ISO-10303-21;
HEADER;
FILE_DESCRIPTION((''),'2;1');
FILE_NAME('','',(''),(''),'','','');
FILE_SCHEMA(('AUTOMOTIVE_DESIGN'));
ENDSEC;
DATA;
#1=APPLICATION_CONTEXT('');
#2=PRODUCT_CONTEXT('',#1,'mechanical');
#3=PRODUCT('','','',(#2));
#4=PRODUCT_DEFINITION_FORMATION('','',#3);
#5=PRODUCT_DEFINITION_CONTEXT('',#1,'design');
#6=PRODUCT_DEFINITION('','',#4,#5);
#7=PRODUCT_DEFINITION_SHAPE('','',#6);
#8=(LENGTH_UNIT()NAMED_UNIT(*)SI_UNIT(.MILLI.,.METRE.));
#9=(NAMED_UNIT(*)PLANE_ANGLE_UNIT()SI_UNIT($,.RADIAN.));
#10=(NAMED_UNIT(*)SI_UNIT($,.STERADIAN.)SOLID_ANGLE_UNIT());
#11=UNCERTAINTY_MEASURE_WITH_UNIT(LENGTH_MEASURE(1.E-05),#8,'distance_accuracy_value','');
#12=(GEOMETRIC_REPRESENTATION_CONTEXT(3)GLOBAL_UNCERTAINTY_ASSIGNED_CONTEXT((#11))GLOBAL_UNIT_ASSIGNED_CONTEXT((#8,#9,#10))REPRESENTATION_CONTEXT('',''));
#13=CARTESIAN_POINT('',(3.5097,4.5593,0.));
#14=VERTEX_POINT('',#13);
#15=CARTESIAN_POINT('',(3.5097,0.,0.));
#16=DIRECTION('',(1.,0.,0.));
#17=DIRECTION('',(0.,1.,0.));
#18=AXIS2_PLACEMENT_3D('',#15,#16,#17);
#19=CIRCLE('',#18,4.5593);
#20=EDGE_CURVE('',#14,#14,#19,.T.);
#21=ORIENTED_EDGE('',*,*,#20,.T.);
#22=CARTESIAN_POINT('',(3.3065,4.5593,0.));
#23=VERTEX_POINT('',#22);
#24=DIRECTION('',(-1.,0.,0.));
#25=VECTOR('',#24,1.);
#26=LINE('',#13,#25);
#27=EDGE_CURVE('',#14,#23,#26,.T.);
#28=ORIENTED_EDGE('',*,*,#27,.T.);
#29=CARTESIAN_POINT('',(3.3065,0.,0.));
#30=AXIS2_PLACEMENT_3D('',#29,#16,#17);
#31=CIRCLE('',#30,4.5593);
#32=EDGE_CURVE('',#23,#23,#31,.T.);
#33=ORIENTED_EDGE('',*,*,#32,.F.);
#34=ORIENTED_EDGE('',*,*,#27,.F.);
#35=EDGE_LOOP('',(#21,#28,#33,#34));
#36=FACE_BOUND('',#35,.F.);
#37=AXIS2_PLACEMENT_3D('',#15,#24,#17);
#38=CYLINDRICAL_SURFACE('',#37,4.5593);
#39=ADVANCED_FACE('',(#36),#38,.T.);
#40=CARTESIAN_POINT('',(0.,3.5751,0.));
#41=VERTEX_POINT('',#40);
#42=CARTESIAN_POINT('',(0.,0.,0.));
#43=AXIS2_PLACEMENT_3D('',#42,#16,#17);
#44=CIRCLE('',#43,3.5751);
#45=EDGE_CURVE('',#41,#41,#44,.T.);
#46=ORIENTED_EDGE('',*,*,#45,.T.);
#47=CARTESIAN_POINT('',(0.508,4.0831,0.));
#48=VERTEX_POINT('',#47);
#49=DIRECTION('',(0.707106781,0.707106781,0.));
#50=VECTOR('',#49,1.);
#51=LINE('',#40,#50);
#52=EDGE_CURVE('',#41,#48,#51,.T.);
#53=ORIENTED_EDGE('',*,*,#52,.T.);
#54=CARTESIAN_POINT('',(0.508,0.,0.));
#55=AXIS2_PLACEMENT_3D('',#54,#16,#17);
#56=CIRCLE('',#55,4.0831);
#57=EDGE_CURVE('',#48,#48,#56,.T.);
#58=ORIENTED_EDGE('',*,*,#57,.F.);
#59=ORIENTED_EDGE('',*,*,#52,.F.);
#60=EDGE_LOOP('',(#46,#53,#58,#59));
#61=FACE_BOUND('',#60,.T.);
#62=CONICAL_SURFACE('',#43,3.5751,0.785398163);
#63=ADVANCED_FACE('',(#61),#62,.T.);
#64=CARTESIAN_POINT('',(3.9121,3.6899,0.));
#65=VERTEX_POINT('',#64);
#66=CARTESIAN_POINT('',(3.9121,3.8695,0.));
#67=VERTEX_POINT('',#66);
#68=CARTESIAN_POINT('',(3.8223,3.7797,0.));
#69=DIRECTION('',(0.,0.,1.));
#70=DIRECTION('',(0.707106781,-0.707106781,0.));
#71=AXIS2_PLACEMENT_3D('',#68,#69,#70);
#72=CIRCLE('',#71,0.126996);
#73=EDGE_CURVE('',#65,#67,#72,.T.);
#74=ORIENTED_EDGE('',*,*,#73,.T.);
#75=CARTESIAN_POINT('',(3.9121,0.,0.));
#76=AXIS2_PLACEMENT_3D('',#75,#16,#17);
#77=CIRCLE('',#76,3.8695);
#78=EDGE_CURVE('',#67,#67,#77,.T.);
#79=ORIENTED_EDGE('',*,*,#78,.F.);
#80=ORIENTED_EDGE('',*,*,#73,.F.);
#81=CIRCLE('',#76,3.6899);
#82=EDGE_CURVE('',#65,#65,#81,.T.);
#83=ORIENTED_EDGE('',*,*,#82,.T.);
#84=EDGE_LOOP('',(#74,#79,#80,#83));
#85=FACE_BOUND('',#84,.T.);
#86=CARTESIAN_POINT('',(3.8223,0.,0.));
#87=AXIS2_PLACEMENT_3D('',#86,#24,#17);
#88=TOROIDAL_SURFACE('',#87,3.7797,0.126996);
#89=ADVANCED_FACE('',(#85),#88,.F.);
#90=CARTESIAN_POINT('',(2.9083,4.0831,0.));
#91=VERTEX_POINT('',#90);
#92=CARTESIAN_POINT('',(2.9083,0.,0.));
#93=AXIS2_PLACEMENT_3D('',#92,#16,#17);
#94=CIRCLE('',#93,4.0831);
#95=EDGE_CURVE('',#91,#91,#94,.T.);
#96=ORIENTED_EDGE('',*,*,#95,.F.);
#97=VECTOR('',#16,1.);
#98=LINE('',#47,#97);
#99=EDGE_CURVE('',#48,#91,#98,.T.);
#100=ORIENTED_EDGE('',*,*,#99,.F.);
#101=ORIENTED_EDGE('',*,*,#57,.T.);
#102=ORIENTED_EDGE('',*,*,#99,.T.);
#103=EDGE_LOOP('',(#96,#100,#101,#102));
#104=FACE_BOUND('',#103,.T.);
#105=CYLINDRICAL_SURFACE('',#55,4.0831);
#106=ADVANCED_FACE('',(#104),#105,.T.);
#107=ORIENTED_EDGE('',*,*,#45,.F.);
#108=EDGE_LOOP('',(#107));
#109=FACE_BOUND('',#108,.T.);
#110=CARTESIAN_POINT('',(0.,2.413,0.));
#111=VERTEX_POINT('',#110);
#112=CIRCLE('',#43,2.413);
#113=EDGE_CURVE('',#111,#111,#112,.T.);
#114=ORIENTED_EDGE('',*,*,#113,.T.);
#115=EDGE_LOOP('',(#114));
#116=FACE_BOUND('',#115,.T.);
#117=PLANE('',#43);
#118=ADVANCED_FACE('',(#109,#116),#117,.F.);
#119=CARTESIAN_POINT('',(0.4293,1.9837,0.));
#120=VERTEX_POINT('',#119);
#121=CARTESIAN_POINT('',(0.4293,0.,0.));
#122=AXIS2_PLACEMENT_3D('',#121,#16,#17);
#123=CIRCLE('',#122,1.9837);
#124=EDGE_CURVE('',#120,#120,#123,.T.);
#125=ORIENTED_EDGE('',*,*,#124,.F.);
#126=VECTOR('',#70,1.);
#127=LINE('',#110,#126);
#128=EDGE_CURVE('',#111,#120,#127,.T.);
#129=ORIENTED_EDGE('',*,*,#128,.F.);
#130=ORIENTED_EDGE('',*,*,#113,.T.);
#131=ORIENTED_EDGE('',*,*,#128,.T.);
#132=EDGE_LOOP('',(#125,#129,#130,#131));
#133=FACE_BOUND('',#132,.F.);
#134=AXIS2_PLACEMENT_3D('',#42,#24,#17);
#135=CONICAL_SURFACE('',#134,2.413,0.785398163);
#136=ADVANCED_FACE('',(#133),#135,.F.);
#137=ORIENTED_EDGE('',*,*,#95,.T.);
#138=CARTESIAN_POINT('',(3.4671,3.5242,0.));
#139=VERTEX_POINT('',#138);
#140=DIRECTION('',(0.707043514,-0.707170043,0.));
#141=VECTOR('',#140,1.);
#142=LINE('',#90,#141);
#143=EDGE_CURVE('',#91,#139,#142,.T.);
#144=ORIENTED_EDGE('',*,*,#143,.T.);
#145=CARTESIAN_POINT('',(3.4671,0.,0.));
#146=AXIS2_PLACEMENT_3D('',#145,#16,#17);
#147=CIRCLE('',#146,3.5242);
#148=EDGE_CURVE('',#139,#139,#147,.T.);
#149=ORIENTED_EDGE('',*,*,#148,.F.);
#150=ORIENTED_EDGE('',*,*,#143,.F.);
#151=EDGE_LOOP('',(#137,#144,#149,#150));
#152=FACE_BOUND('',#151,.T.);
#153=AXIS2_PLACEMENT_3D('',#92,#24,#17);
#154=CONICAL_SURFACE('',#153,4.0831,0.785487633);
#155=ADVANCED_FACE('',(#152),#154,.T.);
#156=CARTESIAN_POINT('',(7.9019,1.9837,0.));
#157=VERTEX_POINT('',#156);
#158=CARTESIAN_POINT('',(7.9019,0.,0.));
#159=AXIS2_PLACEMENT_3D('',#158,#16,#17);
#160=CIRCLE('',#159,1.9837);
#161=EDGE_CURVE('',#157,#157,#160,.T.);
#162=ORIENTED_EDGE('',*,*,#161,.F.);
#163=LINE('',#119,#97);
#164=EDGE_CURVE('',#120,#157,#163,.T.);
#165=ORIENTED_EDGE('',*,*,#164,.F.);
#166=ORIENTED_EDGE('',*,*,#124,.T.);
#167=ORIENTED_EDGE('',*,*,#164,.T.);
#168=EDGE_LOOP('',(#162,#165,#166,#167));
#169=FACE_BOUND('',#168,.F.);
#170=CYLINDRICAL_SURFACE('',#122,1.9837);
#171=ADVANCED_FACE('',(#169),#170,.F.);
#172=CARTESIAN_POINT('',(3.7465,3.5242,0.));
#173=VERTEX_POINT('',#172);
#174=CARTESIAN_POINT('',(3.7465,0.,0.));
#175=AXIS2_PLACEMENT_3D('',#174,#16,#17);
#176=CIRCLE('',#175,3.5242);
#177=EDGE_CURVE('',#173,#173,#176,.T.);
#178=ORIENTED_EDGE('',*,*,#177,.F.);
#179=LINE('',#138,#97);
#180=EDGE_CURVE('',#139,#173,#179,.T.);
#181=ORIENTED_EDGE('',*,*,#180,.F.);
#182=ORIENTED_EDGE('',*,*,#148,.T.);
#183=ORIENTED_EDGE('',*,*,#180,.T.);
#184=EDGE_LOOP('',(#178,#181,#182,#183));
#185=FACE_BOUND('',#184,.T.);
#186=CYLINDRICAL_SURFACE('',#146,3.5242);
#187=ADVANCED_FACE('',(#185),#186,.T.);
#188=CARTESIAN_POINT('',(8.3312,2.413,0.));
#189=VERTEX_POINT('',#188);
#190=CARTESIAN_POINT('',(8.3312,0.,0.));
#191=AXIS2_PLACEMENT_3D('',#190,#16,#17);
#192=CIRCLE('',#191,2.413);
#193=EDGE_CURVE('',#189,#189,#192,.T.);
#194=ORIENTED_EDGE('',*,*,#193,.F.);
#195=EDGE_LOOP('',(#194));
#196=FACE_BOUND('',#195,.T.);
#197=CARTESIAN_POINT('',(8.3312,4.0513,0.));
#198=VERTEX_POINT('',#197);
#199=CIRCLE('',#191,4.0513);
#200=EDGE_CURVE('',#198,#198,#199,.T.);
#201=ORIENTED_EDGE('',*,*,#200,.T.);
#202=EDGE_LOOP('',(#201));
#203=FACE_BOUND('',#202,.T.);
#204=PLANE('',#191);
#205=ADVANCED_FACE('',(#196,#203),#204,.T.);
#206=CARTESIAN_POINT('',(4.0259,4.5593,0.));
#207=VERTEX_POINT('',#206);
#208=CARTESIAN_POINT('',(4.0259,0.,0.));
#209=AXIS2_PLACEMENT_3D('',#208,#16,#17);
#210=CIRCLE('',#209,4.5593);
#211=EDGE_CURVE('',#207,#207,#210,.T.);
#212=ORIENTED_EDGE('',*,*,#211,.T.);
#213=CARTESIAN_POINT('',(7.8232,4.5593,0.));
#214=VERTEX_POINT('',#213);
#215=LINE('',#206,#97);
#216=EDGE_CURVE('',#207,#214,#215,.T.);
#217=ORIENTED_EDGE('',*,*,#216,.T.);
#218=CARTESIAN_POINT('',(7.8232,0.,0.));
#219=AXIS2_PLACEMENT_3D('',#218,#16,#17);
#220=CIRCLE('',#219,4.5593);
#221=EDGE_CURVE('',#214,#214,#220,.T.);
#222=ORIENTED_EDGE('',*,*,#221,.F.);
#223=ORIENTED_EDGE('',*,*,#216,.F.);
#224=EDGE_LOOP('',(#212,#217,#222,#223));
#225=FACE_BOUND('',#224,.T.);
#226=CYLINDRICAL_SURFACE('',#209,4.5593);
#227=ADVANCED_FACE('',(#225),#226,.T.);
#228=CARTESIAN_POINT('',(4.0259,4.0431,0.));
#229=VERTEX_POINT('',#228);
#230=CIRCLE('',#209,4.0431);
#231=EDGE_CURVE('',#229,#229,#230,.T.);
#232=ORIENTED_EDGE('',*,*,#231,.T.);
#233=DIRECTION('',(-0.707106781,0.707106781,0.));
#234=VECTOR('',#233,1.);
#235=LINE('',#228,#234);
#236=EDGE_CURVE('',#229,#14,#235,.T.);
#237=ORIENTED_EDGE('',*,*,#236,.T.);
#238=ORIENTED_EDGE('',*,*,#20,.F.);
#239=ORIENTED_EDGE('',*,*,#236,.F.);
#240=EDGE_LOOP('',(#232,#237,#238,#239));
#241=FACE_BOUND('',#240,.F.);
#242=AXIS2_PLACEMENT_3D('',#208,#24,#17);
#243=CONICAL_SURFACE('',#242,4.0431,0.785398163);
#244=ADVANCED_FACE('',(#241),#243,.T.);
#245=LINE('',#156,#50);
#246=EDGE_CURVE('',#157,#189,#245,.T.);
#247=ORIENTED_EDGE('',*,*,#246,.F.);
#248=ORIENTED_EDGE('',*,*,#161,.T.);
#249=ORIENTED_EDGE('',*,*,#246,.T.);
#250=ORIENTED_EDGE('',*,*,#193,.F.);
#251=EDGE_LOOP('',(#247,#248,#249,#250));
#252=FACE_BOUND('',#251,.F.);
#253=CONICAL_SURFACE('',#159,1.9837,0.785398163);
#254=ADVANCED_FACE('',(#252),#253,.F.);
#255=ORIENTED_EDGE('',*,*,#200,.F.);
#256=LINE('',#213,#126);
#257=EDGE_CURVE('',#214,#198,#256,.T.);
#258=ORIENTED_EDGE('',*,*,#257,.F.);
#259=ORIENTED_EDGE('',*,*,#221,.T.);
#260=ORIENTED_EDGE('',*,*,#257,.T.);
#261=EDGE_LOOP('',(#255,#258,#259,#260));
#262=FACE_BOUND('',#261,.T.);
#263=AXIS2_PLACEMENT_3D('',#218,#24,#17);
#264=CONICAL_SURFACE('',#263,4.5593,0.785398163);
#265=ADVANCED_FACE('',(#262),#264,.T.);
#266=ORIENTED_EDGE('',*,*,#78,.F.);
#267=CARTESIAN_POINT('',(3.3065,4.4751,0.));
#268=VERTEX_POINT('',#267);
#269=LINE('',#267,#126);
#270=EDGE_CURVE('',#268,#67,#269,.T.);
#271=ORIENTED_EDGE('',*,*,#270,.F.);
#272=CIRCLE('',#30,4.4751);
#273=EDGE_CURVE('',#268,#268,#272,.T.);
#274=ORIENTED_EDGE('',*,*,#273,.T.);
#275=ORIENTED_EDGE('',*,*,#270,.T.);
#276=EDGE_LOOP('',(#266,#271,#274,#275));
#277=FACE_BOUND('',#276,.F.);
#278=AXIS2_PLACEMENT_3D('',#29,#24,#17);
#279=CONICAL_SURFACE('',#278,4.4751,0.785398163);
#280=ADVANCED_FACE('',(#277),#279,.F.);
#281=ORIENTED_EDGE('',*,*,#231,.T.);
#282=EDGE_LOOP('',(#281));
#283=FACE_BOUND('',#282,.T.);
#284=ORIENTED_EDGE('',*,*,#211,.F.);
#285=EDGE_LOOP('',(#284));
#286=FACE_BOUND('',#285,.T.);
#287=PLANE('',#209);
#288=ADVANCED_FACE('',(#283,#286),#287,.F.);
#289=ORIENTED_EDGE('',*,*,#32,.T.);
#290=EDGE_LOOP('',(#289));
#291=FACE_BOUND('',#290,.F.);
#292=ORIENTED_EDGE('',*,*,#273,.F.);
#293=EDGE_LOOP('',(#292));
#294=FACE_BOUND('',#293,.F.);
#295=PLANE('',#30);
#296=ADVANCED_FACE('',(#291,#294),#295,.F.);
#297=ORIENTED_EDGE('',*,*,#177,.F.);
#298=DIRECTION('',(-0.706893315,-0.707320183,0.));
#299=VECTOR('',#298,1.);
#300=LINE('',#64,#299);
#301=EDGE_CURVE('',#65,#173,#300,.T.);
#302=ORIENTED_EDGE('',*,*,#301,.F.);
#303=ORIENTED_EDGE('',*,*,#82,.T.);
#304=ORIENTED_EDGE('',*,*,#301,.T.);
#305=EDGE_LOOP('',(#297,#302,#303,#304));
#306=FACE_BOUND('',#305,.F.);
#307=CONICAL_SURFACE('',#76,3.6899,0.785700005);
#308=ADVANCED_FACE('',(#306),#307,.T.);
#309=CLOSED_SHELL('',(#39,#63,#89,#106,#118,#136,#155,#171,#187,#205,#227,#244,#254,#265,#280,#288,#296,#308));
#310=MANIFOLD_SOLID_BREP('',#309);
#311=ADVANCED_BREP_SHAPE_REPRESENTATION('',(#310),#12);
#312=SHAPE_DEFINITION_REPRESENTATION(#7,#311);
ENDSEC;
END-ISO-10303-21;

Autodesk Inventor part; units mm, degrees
sketch "Sketch_1" plane through (0, 0, 0) normal (0, 0, 1) x (1, 0, 0)
  line L0 (8.3312, 0) -> (0, 0)
  line L1 (0, 0) -> (0, 3.5751)
  line L2 (0, 3.5751) -> (0.508, 4.0831)
  line L3 (0.508, 4.0831) -> (2.9083, 4.0831)
  line L4 (2.9083, 4.0831) -> (3.4671, 3.5242)
  line L5 (3.4671, 3.5242) -> (4.0259, 3.5242)
  line L6 (4.0259, 3.5242) -> (4.0259, 4.5593)
  line L7 (4.0259, 4.5593) -> (7.8232, 4.5593)
  line L8 (7.8232, 4.5593) -> (8.3312, 4.0513)
  line L9 (8.3312, 4.0513) -> (8.3312, 0)
  line L10 (8.3312, 0) -> (0, 0)
revolve "Revolution1" add sketch "Sketch_1" angle 360 about axis through (8.3312, 0, 0) along (1, 0, 0)
sketch "Sketch_2" plane through (0, 0, 0) normal (0, 0, 1) x (1, 0, 0)
  line L0 (8.3312, 0) -> (0, 0)
  line L1 (0, 0) -> (0, 2.413)
  line L2 (0, 2.413) -> (0.4293, 1.9837)
  line L3 (0.4293, 1.9837) -> (7.9019, 1.9837)
  line L4 (7.9019, 1.9837) -> (8.3312, 2.413)
  line L5 (8.3312, 2.413) -> (8.3312, 0)
  line L6 (8.3312, 0) -> (0, 0)
revolve "Revolution2" cut sketch "Sketch_2" angle 360 about axis through (8.3312, 0, 0) along (1, 0, 0)
thread "Thread1" size "10-32 UNF" class "2B" standard "ANSI Unified Screw Threads" full length
sketch "Sketch_24" plane through (0, 0, 0) normal (0, 0, 1) x (1, 0, 0)
  line L0 (4.0259, 0) -> (3.4671, 0)
  line L1 (3.3065, 4.5593) -> (3.3065, 4.4751)
  line L2 (3.3065, 4.4751) -> (3.9121, 3.8695)
  arc A0 (3.9121, 3.6899) -> (3.9121, 3.8695) centre (3.8223, 3.7797) ccw
  line L3 (3.9121, 3.6899) -> (3.7465, 3.5242)
  line L4 (3.7465, 3.5242) -> (3.4671, 3.5242)
  line L5 (3.4671, 3.5242) -> (3.4671, 3.2702)
  line L6 (3.4671, 3.2702) -> (4.0259, 3.2702)
  line L7 (4.0259, 3.2702) -> (4.0259, 4.0431)
  line L8 (4.0259, 4.0431) -> (3.5097, 4.5593)
  line L9 (3.5097, 4.5593) -> (3.3065, 4.5593)
revolve "Revolution3" add sketch "Sketch_24" angle 360 about axis through (4.0259, 0, 0) along (1, 0, 0)
ref_plane "lovra_XY" through (8.3312, 0, 0) normal (1, 0, 0) x (0, 1, 0)
ref_plane "lovra_YZ" through (8.3312, 0, 0) normal (0, 1, 0) x (0, 0, 1)
ref_plane "lovra_ZX" through (8.3312, 0, 0) normal (0, 0, 1) x (1, 0, 0)
ref_plane "lovra1_XY" through (8.3312, 0, 0) normal (1, 0, 0) x (0, 0, -1)
ref_plane "lovra1_YZ" through (8.3312, 0, 0) normal (0, 0, -1) x (0, 1, 0)
ref_plane "lovra1_ZX" through (8.3312, 0, 0) normal (0, 1, 0) x (1, 0, 0)
ref_plane "lovra2_XY" through (8.3312, 0, 0) normal (1, 0, 0) x (0, 0, -1)
ref_plane "lovra2_YZ" through (8.3312, 0, 0) normal (0, 0, -1) x (0, 1, 0)
ref_plane "lovra2_ZX" through (8.3312, 0, 0) normal (0, 1, 0) x (1, 0, 0)
ref_plane "lovra21_XY" through (0, 0, 5.2705) normal (1, 0, 0) x (0, 0, -1)
ref_plane "lovra21_YZ" through (0, 0, 5.2705) normal (0, 0, -1) x (0, 1, 0)
ref_plane "lovra21_ZX" through (0, 0, 5.2705) normal (0, 1, 0) x (1, 0, 0)
ref_plane "lovra22_XY" through (0, 0, -5.2705) normal (1, 0, 0) x (0, 0, -1)
ref_plane "lovra22_YZ" through (0, 0, -5.2705) normal (0, 0, -1) x (0, 1, 0)
ref_plane "lovra22_ZX" through (0, 0, -5.2705) normal (0, 1, 0) x (1, 0, 0)
ref_plane "lovra3_XY" through (8.3312, 0, 0) normal (1, 0, 0) x (0, 0, -1)
ref_plane "lovra3_YZ" through (8.3312, 0, 0) normal (0, 0, -1) x (0, 1, 0)
ref_plane "lovra3_ZX" through (8.3312, 0, 0) normal (0, 1, 0) x (1, 0, 0)
ref_plane "olen_XY" through (8.3312, 0, 0) normal (1, 0, 0) x (0, 0, -1)
ref_plane "olen_YZ" through (8.3312, 0, 0) normal (0, 0, -1) x (0, 1, 0)
ref_plane "olen_ZX" through (8.3312, 0, 0) normal (0, 1, 0) x (1, 0, 0)
ref_plane "to_mounting_bracket_XY" through (13.5509, 0, 0) normal (1, 0, 0) x (0, 0, -1)
ref_plane "to_mounting_bracket_YZ" through (13.5509, 0, 0) normal (0, 0, -1) x (0, 1, 0)
ref_plane "to_mounting_bracket_ZX" through (13.5509, 0, 0) normal (0, 1, 0) x (1, 0, 0)
ref_plane "to_nut_XY" through (0, 0, 0) normal (1, 0, 0) x (0, 0, -1)
ref_plane "to_nut_YZ" through (0, 0, 0) normal (0, 0, -1) x (0, 1, 0)
ref_plane "to_nut_ZX" through (0, 0, 0) normal (0, 1, 0) x (1, 0, 0)
ref_plane "to_pin_XY" through (18.2626, 0, 0) normal (0, 0, 1) x (1, 0, 0)
ref_plane "to_pin_YZ" through (18.2626, 0, 0) normal (1, 0, 0) x (0, 1, 0)
ref_plane "to_pin_ZX" through (18.2626, 0, 0) normal (0, 1, 0) x (0, 0, 1)
ref_plane "to_screw_XY" through (9.525, 0, 0) normal (0, 1, 0) x (1, 0, 0)
ref_plane "to_screw_YZ" through (9.525, 0, 0) normal (1, 0, 0) x (0, 0, -1)
ref_plane "to_screw_ZX" through (9.525, 0, 0) normal (0, 0, -1) x (0, 1, 0)
ref_plane "to_tube_XY" through (3.4671, 0, 0) normal (1, 0, 0) x (0, 0, -1)
ref_plane "to_tube_YZ" through (3.4671, 0, 0) normal (0, 0, -1) x (0, 1, 0)
ref_plane "to_tube_ZX" through (3.4671, 0, 0) normal (0, 1, 0) x (1, 0, 0)
properties part number "0070000_rear_head"
